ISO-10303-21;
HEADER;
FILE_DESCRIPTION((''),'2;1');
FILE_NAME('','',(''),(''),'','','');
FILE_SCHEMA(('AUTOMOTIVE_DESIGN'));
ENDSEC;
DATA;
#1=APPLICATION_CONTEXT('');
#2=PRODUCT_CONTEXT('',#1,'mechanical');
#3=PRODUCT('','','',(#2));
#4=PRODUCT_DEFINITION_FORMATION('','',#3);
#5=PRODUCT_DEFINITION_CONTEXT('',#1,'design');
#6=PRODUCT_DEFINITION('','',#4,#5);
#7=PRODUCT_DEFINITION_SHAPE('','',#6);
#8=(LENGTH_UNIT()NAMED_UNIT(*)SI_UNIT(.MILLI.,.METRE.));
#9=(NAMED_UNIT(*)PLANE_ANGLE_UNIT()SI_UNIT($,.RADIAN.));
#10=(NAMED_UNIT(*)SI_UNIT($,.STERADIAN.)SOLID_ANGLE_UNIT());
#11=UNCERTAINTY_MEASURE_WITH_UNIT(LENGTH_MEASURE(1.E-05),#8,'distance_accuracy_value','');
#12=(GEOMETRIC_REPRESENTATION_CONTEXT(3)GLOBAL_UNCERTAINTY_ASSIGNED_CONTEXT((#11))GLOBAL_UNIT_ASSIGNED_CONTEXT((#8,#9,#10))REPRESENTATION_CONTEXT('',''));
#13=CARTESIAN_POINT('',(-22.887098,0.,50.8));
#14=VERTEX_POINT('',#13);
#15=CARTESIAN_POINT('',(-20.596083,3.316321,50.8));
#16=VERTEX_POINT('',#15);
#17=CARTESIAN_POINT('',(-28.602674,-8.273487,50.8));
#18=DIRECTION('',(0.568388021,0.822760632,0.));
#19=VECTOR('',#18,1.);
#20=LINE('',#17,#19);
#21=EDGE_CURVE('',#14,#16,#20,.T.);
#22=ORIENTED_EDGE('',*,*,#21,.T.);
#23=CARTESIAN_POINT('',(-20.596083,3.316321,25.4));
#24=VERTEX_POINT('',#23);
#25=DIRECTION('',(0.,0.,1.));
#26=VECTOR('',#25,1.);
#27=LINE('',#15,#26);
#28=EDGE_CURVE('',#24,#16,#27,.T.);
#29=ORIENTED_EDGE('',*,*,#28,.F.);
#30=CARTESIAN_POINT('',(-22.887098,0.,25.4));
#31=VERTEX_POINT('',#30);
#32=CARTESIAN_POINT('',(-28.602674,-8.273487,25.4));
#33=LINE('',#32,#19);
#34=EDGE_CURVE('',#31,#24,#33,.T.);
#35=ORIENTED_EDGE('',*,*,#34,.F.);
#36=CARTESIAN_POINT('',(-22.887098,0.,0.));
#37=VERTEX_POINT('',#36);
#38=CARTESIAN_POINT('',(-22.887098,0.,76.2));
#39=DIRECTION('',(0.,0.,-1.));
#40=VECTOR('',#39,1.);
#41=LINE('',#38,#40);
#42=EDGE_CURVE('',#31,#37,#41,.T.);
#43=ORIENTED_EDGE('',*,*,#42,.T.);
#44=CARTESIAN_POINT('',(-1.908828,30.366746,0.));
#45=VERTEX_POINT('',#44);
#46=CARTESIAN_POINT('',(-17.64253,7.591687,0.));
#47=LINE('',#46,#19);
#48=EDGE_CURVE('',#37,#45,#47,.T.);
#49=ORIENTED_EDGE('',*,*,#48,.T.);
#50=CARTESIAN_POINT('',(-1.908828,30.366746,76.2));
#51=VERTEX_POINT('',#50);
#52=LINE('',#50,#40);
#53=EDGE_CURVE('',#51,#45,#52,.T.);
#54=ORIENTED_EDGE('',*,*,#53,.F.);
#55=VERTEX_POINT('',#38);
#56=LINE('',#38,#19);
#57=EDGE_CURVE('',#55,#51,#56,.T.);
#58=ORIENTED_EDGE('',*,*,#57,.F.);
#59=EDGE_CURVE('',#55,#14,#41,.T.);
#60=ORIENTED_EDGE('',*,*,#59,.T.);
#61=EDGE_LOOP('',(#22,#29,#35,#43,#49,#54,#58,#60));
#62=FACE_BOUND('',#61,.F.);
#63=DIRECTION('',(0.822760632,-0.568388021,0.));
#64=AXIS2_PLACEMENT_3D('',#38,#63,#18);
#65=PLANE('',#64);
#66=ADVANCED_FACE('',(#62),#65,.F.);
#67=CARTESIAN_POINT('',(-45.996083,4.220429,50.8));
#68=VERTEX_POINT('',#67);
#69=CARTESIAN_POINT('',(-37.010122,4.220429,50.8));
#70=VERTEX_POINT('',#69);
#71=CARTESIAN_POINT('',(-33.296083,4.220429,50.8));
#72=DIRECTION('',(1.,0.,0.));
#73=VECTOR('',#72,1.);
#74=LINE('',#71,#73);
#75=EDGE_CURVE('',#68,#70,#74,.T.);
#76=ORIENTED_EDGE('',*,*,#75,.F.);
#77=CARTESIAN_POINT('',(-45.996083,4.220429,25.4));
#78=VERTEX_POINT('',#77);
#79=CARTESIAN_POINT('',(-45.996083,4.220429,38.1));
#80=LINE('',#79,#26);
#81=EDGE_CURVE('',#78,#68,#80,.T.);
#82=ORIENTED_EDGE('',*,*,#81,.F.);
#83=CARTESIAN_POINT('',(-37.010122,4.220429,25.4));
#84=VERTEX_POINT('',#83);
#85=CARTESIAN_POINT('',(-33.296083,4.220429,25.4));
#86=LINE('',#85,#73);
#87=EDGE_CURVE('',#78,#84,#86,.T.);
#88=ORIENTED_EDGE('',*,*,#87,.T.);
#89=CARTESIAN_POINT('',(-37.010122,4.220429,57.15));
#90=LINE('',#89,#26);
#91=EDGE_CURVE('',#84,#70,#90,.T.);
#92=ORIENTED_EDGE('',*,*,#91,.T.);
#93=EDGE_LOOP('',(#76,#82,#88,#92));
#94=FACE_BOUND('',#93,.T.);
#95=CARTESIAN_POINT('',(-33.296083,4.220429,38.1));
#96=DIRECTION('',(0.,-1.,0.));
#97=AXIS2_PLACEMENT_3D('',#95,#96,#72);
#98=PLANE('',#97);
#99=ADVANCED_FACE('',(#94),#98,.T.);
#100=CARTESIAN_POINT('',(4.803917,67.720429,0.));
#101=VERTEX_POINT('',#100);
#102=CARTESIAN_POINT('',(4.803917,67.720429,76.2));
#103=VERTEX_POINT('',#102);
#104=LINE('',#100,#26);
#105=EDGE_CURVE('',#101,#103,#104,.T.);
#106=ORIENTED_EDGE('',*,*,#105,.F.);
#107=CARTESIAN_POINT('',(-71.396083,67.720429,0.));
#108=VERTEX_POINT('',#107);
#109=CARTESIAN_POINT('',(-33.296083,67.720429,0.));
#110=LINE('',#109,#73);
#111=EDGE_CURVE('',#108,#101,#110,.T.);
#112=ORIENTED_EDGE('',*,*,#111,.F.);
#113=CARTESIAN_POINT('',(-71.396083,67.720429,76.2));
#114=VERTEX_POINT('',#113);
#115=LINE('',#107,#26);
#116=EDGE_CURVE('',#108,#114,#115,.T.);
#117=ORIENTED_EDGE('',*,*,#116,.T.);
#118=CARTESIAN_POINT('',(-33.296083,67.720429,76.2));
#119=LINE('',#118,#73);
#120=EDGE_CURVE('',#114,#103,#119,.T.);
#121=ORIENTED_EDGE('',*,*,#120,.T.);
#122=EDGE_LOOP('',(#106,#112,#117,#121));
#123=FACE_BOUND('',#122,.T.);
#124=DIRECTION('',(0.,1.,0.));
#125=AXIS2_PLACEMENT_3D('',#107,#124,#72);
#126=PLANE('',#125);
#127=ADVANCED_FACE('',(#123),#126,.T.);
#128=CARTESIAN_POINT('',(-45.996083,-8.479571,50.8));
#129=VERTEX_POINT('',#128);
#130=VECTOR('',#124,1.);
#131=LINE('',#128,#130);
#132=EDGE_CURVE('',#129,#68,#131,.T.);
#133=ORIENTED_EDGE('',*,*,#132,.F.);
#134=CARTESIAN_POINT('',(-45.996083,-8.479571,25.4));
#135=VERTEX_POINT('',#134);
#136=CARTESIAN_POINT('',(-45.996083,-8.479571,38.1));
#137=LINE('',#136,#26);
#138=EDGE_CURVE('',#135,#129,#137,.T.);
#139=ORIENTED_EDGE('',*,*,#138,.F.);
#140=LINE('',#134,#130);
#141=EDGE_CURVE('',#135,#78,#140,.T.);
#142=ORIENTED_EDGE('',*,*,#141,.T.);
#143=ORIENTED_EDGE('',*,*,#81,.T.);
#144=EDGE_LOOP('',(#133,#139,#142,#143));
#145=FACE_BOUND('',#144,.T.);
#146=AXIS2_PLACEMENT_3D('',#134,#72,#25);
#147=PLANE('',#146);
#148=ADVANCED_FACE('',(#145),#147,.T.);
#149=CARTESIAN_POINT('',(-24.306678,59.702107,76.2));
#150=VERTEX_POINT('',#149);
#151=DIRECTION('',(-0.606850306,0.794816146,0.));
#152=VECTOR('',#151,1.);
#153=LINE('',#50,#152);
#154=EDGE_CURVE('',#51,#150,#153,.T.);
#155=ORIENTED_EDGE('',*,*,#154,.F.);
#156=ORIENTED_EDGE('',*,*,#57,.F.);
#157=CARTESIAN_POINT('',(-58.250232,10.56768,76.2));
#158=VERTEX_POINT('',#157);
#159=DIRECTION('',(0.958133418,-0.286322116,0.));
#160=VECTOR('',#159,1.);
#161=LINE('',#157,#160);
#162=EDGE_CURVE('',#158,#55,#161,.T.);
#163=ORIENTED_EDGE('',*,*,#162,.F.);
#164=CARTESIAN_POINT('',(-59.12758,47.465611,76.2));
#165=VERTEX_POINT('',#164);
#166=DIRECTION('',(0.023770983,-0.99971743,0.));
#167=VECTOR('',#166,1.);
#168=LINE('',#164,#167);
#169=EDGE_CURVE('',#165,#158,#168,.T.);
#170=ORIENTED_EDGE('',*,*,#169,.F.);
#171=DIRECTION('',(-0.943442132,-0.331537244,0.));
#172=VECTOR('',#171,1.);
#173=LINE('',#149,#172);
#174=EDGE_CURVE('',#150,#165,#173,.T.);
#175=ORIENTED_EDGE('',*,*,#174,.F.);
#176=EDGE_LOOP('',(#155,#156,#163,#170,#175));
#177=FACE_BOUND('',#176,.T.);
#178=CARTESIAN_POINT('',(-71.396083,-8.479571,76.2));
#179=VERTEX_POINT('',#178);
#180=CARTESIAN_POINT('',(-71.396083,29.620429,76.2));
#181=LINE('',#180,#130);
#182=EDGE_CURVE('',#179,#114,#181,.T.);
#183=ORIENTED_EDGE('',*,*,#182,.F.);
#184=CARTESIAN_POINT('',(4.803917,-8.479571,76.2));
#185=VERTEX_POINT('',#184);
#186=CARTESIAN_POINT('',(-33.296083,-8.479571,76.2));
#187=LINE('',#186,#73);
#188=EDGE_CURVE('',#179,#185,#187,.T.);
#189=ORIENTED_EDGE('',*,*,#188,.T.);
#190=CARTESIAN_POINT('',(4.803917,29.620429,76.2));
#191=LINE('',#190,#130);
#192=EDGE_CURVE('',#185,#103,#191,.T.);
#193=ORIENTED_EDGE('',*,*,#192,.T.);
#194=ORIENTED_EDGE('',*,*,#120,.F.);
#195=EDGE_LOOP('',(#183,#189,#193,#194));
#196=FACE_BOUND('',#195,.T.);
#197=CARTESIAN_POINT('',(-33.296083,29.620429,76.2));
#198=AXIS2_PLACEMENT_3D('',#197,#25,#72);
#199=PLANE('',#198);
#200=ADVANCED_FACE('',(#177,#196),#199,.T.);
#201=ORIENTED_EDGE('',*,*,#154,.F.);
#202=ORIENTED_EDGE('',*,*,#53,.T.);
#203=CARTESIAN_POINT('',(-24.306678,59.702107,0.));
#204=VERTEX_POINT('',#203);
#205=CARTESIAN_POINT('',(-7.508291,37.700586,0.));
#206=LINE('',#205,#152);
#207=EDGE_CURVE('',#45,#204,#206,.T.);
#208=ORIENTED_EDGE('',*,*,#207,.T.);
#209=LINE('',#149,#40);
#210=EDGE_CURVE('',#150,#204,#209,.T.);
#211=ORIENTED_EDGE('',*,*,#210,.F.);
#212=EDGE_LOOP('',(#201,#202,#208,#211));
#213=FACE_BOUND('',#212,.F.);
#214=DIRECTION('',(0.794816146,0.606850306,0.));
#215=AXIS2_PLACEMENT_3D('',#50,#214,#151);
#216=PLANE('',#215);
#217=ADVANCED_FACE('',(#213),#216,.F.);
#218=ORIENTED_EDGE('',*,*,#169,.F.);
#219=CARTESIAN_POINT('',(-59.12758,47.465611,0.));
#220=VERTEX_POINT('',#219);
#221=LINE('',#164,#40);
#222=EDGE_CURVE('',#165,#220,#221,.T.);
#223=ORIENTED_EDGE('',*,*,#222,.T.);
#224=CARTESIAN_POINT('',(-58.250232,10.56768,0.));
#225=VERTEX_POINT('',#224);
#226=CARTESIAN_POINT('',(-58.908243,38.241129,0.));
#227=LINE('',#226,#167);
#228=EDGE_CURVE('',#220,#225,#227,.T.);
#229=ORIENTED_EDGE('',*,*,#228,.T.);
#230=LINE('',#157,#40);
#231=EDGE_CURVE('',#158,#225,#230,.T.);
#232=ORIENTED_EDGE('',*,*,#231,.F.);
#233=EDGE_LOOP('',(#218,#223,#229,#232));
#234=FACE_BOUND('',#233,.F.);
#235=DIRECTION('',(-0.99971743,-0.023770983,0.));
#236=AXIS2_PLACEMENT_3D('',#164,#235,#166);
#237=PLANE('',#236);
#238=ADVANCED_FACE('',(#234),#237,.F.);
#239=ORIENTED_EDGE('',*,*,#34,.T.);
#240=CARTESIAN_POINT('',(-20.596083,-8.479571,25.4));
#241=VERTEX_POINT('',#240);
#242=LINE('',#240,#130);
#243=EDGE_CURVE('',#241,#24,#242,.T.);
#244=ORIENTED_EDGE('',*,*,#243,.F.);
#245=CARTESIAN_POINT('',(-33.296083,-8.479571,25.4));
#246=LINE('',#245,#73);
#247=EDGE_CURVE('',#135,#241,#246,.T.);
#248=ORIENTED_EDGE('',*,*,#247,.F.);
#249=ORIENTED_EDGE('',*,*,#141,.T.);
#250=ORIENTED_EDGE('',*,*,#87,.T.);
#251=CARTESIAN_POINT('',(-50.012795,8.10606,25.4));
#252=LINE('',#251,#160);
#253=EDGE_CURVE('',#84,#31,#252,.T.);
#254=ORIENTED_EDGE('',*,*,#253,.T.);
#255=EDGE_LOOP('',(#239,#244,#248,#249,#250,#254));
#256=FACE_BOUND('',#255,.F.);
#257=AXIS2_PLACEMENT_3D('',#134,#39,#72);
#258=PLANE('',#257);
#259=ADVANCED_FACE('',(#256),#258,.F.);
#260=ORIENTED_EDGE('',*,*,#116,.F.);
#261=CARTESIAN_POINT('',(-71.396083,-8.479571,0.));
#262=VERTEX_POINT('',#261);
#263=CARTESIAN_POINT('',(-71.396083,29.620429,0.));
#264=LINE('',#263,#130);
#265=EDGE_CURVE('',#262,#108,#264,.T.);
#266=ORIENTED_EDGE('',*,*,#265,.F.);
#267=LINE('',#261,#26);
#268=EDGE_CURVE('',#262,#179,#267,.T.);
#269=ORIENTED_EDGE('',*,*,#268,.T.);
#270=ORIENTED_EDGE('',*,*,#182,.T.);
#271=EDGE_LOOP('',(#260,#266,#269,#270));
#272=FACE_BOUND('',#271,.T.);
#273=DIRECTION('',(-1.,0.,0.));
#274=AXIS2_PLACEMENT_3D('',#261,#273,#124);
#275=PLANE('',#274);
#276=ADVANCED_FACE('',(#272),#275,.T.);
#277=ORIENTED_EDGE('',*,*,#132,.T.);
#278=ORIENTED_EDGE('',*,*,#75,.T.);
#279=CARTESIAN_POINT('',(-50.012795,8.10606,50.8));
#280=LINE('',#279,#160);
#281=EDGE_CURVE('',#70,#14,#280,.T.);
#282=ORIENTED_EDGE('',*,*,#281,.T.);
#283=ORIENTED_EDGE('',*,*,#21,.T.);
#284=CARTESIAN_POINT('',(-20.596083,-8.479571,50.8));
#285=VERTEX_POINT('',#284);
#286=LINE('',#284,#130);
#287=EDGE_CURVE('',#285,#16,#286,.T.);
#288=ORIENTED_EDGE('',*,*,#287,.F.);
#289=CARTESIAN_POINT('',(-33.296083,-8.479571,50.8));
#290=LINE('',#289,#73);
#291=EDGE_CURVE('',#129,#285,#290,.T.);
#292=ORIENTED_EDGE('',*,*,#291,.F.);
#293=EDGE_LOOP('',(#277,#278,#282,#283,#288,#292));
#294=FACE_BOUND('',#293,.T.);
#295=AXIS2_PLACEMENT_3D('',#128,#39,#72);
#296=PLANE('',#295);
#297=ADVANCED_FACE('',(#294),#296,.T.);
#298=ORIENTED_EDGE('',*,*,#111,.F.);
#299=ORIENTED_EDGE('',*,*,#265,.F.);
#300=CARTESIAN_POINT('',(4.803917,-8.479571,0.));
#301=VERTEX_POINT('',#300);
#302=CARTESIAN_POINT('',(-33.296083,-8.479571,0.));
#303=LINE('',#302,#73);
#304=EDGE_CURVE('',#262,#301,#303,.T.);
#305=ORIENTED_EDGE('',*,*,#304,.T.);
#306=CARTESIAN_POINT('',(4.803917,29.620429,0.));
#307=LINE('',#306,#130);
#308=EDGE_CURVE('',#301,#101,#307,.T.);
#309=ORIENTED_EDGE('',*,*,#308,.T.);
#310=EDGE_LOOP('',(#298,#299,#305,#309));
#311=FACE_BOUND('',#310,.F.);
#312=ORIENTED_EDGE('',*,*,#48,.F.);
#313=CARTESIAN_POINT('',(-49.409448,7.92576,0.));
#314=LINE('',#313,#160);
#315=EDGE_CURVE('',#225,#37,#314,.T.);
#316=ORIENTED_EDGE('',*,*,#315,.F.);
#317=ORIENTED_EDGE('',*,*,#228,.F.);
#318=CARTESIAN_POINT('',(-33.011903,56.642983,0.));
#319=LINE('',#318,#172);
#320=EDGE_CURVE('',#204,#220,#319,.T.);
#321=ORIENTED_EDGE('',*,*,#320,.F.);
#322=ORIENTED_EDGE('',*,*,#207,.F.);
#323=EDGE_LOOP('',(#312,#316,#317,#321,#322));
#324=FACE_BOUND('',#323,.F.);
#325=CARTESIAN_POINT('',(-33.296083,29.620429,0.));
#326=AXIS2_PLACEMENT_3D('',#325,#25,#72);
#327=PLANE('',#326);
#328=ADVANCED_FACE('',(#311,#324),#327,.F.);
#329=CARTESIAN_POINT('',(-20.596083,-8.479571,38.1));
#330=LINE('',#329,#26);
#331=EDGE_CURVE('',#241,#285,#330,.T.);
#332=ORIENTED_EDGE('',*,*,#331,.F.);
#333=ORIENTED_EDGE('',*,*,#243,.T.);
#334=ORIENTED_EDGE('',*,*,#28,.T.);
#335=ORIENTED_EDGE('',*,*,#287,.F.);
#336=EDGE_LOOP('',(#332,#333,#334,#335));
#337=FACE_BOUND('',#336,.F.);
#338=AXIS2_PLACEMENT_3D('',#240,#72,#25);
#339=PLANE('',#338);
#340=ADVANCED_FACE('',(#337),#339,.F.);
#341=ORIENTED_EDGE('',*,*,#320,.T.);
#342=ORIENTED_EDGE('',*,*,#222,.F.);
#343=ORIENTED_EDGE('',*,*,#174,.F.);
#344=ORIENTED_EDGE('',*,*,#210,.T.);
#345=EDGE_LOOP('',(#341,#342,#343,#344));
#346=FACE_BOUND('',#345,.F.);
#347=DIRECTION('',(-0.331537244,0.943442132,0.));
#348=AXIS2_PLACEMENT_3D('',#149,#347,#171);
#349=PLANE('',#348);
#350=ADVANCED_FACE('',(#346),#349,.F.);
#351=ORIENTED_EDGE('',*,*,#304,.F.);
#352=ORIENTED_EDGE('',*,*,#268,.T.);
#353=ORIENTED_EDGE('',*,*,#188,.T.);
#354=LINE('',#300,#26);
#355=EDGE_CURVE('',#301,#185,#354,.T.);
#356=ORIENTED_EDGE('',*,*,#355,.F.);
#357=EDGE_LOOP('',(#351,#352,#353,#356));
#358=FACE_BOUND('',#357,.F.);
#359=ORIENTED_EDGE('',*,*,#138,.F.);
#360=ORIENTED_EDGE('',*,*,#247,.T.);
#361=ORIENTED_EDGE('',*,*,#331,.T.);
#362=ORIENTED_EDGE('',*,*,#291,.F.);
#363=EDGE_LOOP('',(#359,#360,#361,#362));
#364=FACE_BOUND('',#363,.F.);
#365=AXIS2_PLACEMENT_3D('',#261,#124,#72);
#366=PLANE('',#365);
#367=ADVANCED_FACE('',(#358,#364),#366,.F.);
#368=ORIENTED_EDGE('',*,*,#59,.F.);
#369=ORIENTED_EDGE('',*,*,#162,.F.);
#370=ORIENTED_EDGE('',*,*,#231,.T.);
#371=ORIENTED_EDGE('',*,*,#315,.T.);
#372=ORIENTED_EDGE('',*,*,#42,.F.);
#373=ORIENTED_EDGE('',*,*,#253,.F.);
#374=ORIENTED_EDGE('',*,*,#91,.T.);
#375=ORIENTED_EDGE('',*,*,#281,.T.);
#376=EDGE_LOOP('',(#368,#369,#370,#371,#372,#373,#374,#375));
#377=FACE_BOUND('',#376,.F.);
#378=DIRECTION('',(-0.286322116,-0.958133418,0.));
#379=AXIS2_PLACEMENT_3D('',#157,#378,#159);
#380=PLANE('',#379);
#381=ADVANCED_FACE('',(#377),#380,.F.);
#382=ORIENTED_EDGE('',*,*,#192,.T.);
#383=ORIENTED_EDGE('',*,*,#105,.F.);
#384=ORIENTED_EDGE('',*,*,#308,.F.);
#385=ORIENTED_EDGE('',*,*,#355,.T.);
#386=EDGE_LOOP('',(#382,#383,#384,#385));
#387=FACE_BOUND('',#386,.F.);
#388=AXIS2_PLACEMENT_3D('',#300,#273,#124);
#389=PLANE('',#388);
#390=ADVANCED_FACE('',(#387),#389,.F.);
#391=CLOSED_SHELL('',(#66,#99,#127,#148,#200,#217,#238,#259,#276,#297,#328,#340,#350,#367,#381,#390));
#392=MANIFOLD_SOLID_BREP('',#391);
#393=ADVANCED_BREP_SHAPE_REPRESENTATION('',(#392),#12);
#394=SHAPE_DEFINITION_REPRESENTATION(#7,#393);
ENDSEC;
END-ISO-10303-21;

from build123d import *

# Parameters (mm, degrees)
F0_W     = 76.2
F0_H     = 76.2
F1_DEPTH = 76.2
F3_DEPTH = 76.201
F4_W     = 25.4
F4_H     = 25.4
F5_DEPTH = 12.7


with BuildPart() as f1:
    # F0 (on Top) → F1 (new body)
    with BuildSketch(Plane.XY):
        with Locations((-33.296083, 29.620429)):
            Rectangle(F0_W, F0_H)
    extrude(amount=F1_DEPTH)

    # F2 (on face) → F3 (cut, through all)
    with BuildSketch(Plane.XY.offset(76.2)):
        Polygon((-22.887098, 0), (-1.908828, 30.366746), (-24.306678, 59.702107), (-59.12758, 47.465611), (-58.250232, 10.56768), align=None)
    extrude(amount=-F3_DEPTH, mode=Mode.SUBTRACT)

    # F4 (on face) → F5 (cut)
    with BuildSketch(Plane.XZ.offset(8.479571)):
        with Locations((-33.296083, 38.1)):
            Rectangle(F4_W, F4_H)
    extrude(amount=-F5_DEPTH, mode=Mode.SUBTRACT)


solid = f1.part
